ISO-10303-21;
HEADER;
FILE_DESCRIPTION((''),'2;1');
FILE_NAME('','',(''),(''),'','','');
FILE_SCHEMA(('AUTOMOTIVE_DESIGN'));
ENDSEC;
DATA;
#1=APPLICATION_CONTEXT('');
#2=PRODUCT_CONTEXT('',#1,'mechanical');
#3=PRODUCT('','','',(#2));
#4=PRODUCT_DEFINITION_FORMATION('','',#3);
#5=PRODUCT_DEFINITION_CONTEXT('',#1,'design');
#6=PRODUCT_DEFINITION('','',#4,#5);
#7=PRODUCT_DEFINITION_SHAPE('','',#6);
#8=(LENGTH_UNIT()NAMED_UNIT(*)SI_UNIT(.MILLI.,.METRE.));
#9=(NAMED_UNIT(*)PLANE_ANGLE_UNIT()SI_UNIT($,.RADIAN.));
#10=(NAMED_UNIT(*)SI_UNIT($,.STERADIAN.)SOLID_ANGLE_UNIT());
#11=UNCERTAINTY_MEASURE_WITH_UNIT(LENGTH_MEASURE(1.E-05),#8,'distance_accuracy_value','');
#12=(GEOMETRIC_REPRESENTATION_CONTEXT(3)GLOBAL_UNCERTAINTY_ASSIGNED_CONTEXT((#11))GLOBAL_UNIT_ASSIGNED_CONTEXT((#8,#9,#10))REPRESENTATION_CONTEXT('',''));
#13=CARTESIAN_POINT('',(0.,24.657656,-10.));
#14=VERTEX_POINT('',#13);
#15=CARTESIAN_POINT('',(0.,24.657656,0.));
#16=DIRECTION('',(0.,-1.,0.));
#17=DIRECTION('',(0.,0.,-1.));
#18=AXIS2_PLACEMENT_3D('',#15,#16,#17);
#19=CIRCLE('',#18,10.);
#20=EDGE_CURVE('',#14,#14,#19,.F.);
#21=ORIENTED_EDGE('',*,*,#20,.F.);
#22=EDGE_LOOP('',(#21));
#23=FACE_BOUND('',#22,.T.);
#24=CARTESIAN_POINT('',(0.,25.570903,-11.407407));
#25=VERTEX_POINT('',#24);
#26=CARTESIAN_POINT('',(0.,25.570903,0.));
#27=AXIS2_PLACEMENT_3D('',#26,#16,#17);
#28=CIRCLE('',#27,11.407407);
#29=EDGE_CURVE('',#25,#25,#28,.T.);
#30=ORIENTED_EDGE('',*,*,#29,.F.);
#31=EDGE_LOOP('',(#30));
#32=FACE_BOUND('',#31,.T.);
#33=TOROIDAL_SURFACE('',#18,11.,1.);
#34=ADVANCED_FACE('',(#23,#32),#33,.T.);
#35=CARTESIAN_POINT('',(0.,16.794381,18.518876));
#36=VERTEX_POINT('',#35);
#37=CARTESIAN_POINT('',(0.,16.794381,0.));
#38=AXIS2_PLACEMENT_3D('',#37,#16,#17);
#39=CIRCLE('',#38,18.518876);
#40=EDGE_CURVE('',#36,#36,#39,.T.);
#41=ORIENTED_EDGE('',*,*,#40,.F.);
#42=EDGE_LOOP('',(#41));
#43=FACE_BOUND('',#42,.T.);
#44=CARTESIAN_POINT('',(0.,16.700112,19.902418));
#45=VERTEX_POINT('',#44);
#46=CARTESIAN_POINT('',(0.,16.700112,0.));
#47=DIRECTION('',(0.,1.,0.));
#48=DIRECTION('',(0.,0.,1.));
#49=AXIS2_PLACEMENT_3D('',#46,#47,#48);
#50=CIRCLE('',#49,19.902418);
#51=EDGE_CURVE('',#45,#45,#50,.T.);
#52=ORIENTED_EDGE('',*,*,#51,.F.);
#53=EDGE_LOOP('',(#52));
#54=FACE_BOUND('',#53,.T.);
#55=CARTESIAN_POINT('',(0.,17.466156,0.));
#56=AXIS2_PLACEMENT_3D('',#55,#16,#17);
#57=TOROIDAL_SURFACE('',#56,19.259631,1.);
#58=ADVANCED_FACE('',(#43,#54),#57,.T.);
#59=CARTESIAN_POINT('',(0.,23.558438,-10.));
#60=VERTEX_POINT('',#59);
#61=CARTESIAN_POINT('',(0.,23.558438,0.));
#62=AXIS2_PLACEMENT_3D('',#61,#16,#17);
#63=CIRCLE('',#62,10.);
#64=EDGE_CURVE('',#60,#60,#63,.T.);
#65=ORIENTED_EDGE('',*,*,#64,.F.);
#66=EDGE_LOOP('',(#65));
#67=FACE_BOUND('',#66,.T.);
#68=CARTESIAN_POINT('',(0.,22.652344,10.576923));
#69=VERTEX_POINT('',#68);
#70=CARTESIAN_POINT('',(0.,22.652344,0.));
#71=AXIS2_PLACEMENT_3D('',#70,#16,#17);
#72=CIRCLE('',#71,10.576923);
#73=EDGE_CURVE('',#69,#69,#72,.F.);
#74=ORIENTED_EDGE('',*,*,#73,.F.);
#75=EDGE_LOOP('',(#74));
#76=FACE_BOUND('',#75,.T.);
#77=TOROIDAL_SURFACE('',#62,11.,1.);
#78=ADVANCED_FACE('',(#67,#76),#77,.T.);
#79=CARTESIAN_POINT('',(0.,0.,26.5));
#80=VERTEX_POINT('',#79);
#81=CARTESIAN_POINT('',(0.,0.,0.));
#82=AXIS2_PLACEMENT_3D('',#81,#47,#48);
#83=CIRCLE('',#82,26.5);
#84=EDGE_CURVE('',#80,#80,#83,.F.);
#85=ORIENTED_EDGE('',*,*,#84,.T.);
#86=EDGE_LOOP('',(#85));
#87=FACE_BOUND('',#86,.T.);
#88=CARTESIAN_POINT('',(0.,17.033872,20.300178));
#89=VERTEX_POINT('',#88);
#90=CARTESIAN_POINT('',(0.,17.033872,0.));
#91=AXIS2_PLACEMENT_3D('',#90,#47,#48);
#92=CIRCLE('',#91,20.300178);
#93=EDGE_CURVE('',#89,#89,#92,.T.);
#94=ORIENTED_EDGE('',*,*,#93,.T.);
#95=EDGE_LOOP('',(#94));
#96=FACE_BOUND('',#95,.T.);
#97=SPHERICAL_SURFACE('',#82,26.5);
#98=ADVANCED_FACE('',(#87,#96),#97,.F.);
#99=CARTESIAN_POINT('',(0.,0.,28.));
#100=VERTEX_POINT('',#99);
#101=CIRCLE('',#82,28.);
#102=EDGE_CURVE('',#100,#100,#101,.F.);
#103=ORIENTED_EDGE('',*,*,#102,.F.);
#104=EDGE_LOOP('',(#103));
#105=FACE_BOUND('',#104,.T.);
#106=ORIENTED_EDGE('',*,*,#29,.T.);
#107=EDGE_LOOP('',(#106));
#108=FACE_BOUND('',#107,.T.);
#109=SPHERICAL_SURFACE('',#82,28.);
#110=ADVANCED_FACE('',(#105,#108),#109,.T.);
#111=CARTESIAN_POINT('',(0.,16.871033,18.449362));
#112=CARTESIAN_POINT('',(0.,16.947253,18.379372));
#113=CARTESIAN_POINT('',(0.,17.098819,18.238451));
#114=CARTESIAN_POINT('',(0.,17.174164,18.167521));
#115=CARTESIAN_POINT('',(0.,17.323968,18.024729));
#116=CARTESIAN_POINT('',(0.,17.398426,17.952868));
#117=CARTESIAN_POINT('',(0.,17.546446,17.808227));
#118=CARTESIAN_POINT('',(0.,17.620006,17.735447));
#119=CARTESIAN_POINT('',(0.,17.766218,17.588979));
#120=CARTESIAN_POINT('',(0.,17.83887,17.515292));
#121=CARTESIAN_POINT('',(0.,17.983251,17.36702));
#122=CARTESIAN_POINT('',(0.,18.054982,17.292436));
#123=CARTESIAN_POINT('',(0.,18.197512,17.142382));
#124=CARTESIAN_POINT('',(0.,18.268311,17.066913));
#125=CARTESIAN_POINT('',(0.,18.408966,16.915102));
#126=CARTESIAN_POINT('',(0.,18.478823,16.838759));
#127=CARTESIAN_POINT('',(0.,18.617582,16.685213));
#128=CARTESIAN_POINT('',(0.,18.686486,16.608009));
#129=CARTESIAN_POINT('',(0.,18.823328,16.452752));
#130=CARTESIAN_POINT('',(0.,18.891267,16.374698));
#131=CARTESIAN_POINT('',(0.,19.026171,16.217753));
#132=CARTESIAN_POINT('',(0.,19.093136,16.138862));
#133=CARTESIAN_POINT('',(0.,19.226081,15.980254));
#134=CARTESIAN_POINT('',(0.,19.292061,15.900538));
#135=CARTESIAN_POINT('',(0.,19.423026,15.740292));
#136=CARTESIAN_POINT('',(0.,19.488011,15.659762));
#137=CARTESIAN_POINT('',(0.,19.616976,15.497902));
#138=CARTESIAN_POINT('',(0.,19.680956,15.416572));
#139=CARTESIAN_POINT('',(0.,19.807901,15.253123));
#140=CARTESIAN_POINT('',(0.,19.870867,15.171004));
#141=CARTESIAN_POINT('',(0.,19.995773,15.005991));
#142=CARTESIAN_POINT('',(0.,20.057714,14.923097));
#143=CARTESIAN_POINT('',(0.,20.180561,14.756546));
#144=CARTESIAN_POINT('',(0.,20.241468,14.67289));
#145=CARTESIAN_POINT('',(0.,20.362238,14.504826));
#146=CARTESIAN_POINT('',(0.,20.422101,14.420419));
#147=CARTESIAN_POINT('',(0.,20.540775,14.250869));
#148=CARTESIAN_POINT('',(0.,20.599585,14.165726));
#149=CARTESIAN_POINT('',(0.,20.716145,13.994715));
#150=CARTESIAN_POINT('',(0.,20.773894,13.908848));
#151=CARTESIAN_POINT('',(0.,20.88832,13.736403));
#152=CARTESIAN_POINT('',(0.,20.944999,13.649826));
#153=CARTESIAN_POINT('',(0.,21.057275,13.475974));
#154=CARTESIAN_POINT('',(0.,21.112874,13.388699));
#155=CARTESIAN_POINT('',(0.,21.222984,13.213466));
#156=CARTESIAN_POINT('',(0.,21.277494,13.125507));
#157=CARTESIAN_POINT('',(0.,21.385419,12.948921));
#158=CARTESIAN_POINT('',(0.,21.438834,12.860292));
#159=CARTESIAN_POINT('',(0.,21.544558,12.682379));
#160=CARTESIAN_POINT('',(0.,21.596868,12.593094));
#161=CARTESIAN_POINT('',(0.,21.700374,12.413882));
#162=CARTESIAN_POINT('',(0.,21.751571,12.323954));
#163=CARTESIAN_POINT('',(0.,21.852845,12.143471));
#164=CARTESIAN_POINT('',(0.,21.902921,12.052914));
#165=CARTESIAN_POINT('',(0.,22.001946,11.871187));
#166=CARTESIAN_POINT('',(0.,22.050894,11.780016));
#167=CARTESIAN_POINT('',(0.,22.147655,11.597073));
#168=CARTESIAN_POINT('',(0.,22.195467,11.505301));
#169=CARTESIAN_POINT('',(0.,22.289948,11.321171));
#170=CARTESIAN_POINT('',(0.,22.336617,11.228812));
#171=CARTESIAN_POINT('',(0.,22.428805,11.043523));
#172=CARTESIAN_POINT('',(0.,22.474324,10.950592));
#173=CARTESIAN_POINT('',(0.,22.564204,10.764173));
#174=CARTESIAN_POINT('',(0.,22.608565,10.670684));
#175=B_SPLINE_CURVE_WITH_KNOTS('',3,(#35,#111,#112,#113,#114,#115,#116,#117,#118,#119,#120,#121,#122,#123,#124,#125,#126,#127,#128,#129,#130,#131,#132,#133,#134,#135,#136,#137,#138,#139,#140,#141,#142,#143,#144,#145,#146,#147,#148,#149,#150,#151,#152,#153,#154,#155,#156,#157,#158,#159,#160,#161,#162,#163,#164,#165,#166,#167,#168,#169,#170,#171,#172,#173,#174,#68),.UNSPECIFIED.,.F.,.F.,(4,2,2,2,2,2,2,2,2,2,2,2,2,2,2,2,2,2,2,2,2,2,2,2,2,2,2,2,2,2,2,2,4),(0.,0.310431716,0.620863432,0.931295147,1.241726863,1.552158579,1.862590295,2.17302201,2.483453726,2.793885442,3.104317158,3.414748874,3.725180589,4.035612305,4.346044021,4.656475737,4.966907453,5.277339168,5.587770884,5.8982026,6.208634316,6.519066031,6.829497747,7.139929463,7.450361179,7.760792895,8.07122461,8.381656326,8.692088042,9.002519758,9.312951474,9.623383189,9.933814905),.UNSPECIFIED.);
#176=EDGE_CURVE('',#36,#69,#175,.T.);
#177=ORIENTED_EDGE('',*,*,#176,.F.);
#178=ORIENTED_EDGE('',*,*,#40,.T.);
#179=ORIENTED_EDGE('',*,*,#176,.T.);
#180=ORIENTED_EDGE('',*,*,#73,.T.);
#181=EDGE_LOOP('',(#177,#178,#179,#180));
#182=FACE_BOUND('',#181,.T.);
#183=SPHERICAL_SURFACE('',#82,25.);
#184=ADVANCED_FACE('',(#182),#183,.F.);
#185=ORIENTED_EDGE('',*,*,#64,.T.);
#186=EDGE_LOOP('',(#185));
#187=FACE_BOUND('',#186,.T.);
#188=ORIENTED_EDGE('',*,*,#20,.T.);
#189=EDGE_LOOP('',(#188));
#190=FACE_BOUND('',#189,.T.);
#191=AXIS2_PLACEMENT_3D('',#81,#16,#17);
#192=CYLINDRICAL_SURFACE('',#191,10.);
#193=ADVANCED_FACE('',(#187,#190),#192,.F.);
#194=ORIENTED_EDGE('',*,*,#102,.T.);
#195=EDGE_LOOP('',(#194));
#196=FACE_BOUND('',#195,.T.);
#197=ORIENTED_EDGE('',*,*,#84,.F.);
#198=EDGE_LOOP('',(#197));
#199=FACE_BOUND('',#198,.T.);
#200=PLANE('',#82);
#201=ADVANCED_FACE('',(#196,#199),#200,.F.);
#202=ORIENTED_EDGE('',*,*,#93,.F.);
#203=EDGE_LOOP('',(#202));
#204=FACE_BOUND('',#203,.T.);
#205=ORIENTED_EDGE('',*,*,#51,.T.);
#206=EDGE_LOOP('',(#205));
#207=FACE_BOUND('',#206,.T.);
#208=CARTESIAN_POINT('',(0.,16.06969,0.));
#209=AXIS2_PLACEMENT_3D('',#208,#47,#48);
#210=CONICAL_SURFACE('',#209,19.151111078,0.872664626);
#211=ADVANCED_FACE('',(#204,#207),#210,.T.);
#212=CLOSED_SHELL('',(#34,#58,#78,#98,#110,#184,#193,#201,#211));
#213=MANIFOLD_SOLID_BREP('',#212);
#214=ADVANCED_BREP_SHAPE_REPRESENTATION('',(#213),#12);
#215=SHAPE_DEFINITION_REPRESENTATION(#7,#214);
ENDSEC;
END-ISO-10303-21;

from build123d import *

# Parameters (mm, degrees)
CROQUIS2_W            = 10
CROQUIS2_H            = 14
REDONDEO1_R           = 1
CROQUIS3_R            = 29.845650159
CORTAR_EXTRUIR1_DEPTH = 30


with BuildPart() as part:
    # Croquis1 → Revolución3 (revolve)
    with BuildSketch(Plane(origin=(0, 0, 0), x_dir=(0, 0, -1), z_dir=(1, 0, 0))):
        with BuildLine():
            Line((-0.5, 27.995535358), (-0.5, 26.495282599))
            Line((-0.5, 26.495282599), (-0.5, 24.9949995))
            ThreePointArc((-0.5, 24.9949995), (-10.791516482, 22.5509018), (-19.151111078, 16.069690242))
            Line((-19.151111078, 16.069690242), (-20.300177743, 17.033871657))
            ThreePointArc((-20.300177743, 17.033871657), (-24.017156356, -11.199383936), (0, -26.5))
            Line((0, -26.5), (0, -28))
            ThreePointArc((0, -28), (-27.998883817, -0.250009966), (-0.5, 27.995535358))
        make_face()
    revolve(axis=Axis((0, 29, 0), (0, -1, 0)))

    # Croquis2 → Cortar-Revolución2 (revolve, cut)
    with BuildSketch(Plane(origin=(0, 0, 0), x_dir=(0, 0, -1), z_dir=(1, 0, 0))):
        with Locations((-5, 23)):
            Rectangle(CROQUIS2_W, CROQUIS2_H)
    revolve(axis=Axis((0, 0, 0), (0, 1, 0)), mode=Mode.SUBTRACT)

    # Redondeo1
    redondeo1_edges = [part.edges().sort_by_distance(p)[0] for p in [
        (0, 22.912878475, -10),
        (0, 26.153393661, -10),
        (0, 16.069690242, -19.151111078),
    ]]
    fillet(redondeo1_edges, radius=REDONDEO1_R)

    # Croquis3 → Cortar-Extruir1 (cut)
    with BuildSketch(Plane(origin=(0, 0, 0), x_dir=(1, 0, 0), z_dir=(0, 1, 0))):
        Circle(CROQUIS3_R)
    extrude(amount=-CORTAR_EXTRUIR1_DEPTH, mode=Mode.SUBTRACT)


solid = part.part
